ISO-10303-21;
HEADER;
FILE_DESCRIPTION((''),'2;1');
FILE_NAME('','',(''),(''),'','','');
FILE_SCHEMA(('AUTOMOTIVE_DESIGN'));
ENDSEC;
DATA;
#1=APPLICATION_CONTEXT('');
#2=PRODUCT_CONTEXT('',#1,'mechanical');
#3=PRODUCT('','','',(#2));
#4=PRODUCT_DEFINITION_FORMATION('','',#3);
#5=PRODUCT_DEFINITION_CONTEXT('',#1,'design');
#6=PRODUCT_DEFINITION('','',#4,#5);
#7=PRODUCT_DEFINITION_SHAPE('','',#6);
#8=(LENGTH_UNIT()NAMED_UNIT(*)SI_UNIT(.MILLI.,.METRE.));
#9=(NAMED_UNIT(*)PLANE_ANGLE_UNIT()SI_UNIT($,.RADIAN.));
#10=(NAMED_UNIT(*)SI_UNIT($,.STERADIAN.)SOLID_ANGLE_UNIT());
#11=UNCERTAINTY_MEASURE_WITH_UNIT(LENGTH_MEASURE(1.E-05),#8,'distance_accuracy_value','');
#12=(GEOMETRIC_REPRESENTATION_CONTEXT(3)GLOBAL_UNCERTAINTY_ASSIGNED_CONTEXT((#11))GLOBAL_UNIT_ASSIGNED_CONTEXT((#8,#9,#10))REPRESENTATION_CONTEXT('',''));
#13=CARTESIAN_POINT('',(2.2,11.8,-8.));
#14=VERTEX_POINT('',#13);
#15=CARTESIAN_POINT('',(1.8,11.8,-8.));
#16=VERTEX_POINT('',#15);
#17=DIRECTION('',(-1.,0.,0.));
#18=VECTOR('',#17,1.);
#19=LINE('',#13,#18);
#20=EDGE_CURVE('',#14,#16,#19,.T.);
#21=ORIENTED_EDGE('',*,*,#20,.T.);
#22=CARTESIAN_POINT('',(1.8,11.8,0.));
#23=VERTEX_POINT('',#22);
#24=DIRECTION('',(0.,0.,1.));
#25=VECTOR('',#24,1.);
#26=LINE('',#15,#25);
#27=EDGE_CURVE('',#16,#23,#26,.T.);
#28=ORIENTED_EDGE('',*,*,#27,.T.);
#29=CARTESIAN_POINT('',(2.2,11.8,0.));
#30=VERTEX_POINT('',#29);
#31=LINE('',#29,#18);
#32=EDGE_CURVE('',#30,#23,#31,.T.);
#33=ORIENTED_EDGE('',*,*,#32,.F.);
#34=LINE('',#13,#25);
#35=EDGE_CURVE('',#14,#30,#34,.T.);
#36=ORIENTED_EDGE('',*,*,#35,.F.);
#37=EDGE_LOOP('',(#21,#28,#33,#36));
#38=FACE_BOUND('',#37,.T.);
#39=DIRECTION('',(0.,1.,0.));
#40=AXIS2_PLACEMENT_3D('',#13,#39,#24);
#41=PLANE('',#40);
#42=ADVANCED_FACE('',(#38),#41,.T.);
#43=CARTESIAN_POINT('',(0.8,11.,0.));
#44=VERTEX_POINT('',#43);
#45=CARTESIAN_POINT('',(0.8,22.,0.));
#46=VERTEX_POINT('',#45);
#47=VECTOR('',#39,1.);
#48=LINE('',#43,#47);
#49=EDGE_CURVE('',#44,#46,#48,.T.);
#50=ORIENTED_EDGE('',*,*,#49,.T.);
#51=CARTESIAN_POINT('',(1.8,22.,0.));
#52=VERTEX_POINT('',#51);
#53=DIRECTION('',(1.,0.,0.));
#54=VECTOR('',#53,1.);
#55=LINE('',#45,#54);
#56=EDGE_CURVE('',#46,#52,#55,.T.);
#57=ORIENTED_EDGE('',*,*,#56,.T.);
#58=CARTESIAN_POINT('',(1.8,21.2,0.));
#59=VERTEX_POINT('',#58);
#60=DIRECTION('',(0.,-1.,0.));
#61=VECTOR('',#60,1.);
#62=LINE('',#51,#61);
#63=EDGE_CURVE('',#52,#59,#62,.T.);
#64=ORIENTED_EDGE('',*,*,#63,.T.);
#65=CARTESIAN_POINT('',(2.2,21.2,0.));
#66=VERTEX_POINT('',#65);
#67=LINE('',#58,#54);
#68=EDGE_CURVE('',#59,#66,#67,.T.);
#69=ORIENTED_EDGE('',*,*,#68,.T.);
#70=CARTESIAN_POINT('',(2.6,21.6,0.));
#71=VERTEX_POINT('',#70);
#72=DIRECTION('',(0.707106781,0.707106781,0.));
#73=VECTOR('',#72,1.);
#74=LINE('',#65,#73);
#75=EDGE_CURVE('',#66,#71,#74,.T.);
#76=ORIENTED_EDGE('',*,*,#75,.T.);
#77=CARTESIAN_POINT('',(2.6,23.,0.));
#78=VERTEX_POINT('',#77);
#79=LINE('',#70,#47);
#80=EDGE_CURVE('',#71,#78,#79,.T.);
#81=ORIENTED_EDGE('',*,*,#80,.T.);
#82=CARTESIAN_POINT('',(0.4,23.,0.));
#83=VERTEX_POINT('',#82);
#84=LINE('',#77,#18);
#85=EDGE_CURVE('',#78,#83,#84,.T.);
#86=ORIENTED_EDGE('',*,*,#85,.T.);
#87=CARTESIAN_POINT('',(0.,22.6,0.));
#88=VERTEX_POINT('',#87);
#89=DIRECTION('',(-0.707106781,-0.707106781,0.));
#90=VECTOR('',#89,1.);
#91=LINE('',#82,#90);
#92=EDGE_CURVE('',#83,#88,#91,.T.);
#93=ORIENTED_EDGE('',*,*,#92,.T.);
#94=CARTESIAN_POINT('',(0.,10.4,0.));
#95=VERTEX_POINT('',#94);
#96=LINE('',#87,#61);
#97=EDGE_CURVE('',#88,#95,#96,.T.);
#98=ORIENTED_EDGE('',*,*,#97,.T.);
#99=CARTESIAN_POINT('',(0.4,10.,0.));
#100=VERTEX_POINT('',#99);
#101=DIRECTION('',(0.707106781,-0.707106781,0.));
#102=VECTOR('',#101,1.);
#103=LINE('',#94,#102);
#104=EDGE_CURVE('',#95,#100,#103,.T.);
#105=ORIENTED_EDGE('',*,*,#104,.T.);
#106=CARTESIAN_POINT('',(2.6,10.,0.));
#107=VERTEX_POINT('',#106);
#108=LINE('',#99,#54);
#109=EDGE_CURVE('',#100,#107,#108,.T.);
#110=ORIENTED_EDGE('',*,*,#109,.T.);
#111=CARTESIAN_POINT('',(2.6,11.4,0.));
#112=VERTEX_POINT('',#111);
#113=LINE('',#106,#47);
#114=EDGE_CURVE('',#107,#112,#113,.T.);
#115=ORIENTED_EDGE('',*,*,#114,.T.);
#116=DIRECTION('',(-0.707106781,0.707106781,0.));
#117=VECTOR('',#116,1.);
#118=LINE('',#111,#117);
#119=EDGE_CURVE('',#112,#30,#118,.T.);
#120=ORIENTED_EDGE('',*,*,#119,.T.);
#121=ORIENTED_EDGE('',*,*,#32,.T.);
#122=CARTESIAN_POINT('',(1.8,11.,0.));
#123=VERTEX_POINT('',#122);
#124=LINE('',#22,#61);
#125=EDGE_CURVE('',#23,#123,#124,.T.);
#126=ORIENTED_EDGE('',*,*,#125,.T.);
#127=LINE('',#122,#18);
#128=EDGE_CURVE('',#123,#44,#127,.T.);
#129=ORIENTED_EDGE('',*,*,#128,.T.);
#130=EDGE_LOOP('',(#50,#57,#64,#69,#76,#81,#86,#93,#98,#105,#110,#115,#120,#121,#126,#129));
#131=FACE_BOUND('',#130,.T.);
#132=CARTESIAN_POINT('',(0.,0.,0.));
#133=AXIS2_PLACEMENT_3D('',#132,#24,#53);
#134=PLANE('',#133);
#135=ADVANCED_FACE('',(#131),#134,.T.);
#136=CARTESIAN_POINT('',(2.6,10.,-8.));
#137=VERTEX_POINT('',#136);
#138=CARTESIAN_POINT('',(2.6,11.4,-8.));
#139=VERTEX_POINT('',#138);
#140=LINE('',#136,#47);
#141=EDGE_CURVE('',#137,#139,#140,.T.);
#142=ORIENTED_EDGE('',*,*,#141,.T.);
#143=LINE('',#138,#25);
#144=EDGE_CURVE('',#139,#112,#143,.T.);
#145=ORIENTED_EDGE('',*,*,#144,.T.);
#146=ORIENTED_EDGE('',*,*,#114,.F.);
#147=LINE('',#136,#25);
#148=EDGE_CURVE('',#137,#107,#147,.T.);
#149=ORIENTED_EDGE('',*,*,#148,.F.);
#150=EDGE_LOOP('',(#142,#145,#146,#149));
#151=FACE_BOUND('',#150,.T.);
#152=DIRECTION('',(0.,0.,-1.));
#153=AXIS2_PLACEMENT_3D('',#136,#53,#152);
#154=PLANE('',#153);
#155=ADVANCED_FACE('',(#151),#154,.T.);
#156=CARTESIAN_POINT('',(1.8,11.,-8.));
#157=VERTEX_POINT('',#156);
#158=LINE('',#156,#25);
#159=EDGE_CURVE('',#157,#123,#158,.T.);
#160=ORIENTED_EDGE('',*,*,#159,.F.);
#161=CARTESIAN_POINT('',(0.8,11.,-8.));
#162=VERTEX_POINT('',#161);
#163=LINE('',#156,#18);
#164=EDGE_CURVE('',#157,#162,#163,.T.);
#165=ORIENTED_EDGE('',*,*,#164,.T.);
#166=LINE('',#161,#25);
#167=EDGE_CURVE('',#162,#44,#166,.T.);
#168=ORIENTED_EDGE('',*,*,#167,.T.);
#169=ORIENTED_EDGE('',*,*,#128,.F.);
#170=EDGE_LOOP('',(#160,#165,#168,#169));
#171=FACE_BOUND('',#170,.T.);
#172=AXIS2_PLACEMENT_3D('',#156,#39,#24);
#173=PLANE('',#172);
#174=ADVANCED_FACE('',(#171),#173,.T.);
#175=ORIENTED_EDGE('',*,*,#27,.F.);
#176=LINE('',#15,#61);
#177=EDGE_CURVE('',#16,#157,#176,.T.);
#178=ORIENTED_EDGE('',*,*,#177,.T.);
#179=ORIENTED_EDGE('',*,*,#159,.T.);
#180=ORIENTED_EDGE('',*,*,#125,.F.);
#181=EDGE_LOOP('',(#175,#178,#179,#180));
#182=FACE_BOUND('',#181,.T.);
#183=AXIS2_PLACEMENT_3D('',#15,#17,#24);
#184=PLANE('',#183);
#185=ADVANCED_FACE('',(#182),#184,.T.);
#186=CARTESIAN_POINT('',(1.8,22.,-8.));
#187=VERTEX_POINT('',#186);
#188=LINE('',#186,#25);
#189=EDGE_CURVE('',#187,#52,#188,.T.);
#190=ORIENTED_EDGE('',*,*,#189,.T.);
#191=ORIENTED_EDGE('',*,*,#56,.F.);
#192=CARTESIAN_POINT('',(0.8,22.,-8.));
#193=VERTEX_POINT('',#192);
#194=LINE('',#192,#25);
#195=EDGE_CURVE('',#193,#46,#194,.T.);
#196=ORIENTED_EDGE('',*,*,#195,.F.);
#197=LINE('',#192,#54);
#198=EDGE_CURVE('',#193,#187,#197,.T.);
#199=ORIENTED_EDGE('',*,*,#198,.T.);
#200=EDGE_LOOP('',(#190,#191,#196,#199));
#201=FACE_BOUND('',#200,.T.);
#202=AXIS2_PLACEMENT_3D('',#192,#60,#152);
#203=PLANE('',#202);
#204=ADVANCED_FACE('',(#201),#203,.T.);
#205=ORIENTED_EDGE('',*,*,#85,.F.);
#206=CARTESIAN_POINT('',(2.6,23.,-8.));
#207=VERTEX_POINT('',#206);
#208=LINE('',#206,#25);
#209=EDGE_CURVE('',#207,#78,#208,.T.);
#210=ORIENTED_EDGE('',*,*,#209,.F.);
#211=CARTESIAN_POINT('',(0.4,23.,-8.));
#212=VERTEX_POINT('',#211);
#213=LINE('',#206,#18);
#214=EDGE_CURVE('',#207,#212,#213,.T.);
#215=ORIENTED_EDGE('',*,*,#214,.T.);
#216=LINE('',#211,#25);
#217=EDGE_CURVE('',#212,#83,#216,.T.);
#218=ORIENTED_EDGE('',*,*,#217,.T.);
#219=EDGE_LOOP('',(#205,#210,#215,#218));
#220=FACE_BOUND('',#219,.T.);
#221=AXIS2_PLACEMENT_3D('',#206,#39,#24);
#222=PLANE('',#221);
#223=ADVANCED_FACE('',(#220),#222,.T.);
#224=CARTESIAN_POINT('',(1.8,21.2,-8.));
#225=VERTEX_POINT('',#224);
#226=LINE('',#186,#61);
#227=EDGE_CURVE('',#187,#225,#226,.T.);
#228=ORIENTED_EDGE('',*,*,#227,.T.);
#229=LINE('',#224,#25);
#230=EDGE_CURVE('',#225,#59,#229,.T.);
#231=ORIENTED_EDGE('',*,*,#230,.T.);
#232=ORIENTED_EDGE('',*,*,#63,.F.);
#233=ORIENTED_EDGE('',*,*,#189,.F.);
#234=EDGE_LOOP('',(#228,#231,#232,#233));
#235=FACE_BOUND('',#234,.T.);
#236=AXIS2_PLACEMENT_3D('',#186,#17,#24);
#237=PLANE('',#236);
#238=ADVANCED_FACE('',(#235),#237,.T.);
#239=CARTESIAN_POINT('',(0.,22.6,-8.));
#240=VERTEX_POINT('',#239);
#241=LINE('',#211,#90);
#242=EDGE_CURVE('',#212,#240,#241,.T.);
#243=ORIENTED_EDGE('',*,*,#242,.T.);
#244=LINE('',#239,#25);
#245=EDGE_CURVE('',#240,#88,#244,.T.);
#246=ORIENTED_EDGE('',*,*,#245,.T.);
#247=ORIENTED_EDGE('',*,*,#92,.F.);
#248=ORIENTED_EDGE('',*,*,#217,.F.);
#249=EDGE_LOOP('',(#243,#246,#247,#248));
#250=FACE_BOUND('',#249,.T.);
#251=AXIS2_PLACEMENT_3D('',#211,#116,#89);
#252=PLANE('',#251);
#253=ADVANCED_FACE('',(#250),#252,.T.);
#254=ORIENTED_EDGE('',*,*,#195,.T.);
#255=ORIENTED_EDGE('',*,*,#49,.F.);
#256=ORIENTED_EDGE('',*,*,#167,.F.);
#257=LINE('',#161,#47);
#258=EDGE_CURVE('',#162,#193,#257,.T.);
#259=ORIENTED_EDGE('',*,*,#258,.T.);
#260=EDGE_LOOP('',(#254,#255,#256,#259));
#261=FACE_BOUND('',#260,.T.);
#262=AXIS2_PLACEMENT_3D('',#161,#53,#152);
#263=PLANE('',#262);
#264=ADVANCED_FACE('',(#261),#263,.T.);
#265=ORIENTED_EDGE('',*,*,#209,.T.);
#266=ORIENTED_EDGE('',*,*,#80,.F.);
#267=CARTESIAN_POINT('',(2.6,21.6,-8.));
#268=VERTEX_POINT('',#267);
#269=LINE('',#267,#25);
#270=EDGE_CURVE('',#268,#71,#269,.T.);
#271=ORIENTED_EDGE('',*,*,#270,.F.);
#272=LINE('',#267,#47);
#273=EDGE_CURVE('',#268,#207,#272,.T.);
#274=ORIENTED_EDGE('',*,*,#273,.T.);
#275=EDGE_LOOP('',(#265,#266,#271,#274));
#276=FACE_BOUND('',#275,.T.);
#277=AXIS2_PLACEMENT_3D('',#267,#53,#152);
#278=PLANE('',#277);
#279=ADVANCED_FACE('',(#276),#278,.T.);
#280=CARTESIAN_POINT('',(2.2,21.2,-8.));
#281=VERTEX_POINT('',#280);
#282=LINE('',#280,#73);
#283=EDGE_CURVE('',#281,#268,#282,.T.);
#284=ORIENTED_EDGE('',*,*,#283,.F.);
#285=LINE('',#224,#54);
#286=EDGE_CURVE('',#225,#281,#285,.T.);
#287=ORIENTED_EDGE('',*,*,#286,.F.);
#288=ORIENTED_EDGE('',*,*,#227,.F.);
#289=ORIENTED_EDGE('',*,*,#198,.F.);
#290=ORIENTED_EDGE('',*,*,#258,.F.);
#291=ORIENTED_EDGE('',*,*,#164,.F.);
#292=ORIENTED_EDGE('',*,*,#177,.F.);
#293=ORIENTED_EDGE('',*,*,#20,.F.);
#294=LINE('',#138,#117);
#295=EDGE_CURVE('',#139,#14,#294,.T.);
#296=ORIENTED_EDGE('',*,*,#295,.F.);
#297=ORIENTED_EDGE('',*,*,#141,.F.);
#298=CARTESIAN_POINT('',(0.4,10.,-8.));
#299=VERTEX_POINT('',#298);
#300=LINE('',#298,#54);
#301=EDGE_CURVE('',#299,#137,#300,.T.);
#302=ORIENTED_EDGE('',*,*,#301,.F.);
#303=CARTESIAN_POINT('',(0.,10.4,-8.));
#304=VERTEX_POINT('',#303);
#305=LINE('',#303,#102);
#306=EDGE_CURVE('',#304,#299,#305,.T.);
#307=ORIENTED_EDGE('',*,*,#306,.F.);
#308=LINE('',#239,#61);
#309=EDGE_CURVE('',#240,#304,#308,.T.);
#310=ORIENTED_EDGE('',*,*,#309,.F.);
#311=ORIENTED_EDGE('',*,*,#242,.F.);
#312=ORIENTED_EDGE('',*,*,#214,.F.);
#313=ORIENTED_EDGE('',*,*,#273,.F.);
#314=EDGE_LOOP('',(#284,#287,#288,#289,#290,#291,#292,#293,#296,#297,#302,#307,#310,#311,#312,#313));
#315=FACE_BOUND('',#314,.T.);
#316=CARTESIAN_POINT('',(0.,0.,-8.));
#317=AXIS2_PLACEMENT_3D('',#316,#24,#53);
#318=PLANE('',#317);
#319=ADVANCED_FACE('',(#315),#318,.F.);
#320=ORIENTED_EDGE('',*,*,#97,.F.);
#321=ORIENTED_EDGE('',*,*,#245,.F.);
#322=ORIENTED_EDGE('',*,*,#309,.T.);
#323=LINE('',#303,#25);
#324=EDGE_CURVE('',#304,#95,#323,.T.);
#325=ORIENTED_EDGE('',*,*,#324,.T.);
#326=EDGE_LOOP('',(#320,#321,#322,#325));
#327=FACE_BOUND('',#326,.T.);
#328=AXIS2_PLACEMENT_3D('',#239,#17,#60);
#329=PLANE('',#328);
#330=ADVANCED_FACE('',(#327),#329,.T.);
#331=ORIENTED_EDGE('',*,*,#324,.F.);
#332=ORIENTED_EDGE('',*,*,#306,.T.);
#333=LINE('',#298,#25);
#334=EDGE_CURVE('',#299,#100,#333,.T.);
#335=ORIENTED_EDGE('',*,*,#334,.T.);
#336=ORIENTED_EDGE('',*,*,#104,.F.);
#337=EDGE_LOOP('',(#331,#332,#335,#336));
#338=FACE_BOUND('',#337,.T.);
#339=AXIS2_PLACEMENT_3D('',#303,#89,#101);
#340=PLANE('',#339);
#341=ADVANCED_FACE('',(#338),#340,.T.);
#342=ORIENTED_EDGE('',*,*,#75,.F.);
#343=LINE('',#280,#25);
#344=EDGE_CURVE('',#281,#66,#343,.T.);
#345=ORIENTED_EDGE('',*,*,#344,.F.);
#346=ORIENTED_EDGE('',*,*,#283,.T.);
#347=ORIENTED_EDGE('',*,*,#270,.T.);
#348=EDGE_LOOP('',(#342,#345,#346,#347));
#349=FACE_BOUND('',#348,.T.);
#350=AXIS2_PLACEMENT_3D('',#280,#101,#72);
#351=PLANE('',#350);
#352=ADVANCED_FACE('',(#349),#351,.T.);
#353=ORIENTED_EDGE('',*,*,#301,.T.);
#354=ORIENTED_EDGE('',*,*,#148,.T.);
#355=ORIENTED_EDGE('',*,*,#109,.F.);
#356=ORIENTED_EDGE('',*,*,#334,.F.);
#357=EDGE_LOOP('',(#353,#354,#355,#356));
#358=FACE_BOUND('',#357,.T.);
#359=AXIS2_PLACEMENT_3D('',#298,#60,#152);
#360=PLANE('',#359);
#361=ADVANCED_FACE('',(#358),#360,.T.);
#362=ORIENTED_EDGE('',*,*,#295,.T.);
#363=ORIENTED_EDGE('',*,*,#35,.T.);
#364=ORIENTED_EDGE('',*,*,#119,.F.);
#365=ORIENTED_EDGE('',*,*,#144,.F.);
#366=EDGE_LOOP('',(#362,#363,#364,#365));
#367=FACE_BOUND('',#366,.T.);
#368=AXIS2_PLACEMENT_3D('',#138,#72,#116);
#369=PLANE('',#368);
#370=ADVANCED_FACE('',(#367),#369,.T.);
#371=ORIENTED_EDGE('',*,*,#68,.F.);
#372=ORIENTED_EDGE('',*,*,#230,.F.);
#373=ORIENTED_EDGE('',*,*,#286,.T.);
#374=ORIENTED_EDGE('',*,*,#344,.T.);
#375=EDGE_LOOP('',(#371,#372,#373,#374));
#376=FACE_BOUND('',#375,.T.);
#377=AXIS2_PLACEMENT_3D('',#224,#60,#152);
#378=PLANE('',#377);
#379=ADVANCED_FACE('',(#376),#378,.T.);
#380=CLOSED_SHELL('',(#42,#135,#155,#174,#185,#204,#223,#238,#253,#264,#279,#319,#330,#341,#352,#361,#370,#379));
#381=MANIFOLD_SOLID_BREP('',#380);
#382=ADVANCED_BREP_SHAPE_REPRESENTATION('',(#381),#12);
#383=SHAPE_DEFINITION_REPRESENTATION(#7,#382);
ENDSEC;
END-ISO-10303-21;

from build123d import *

# Parameters (mm, degrees)
BOSS_EXTRUDE1_DEPTH = 8


with BuildPart() as part:
    # Sketch1 → Boss-Extrude1 (new body)
    with BuildSketch(Plane.XY):
        Polygon((2.2, 21.2), (2.6, 21.6), (2.6, 23), (0.4, 23), (0, 22.6), (0, 10.4), (0.4, 10), (2.6, 10), (2.6, 11.4), (2.2, 11.8), (1.8, 11.8), (1.8, 11), (0.8, 11), (0.8, 22), (1.8, 22), (1.8, 21.2), align=None)
    extrude(amount=-BOSS_EXTRUDE1_DEPTH)


solid = part.part
